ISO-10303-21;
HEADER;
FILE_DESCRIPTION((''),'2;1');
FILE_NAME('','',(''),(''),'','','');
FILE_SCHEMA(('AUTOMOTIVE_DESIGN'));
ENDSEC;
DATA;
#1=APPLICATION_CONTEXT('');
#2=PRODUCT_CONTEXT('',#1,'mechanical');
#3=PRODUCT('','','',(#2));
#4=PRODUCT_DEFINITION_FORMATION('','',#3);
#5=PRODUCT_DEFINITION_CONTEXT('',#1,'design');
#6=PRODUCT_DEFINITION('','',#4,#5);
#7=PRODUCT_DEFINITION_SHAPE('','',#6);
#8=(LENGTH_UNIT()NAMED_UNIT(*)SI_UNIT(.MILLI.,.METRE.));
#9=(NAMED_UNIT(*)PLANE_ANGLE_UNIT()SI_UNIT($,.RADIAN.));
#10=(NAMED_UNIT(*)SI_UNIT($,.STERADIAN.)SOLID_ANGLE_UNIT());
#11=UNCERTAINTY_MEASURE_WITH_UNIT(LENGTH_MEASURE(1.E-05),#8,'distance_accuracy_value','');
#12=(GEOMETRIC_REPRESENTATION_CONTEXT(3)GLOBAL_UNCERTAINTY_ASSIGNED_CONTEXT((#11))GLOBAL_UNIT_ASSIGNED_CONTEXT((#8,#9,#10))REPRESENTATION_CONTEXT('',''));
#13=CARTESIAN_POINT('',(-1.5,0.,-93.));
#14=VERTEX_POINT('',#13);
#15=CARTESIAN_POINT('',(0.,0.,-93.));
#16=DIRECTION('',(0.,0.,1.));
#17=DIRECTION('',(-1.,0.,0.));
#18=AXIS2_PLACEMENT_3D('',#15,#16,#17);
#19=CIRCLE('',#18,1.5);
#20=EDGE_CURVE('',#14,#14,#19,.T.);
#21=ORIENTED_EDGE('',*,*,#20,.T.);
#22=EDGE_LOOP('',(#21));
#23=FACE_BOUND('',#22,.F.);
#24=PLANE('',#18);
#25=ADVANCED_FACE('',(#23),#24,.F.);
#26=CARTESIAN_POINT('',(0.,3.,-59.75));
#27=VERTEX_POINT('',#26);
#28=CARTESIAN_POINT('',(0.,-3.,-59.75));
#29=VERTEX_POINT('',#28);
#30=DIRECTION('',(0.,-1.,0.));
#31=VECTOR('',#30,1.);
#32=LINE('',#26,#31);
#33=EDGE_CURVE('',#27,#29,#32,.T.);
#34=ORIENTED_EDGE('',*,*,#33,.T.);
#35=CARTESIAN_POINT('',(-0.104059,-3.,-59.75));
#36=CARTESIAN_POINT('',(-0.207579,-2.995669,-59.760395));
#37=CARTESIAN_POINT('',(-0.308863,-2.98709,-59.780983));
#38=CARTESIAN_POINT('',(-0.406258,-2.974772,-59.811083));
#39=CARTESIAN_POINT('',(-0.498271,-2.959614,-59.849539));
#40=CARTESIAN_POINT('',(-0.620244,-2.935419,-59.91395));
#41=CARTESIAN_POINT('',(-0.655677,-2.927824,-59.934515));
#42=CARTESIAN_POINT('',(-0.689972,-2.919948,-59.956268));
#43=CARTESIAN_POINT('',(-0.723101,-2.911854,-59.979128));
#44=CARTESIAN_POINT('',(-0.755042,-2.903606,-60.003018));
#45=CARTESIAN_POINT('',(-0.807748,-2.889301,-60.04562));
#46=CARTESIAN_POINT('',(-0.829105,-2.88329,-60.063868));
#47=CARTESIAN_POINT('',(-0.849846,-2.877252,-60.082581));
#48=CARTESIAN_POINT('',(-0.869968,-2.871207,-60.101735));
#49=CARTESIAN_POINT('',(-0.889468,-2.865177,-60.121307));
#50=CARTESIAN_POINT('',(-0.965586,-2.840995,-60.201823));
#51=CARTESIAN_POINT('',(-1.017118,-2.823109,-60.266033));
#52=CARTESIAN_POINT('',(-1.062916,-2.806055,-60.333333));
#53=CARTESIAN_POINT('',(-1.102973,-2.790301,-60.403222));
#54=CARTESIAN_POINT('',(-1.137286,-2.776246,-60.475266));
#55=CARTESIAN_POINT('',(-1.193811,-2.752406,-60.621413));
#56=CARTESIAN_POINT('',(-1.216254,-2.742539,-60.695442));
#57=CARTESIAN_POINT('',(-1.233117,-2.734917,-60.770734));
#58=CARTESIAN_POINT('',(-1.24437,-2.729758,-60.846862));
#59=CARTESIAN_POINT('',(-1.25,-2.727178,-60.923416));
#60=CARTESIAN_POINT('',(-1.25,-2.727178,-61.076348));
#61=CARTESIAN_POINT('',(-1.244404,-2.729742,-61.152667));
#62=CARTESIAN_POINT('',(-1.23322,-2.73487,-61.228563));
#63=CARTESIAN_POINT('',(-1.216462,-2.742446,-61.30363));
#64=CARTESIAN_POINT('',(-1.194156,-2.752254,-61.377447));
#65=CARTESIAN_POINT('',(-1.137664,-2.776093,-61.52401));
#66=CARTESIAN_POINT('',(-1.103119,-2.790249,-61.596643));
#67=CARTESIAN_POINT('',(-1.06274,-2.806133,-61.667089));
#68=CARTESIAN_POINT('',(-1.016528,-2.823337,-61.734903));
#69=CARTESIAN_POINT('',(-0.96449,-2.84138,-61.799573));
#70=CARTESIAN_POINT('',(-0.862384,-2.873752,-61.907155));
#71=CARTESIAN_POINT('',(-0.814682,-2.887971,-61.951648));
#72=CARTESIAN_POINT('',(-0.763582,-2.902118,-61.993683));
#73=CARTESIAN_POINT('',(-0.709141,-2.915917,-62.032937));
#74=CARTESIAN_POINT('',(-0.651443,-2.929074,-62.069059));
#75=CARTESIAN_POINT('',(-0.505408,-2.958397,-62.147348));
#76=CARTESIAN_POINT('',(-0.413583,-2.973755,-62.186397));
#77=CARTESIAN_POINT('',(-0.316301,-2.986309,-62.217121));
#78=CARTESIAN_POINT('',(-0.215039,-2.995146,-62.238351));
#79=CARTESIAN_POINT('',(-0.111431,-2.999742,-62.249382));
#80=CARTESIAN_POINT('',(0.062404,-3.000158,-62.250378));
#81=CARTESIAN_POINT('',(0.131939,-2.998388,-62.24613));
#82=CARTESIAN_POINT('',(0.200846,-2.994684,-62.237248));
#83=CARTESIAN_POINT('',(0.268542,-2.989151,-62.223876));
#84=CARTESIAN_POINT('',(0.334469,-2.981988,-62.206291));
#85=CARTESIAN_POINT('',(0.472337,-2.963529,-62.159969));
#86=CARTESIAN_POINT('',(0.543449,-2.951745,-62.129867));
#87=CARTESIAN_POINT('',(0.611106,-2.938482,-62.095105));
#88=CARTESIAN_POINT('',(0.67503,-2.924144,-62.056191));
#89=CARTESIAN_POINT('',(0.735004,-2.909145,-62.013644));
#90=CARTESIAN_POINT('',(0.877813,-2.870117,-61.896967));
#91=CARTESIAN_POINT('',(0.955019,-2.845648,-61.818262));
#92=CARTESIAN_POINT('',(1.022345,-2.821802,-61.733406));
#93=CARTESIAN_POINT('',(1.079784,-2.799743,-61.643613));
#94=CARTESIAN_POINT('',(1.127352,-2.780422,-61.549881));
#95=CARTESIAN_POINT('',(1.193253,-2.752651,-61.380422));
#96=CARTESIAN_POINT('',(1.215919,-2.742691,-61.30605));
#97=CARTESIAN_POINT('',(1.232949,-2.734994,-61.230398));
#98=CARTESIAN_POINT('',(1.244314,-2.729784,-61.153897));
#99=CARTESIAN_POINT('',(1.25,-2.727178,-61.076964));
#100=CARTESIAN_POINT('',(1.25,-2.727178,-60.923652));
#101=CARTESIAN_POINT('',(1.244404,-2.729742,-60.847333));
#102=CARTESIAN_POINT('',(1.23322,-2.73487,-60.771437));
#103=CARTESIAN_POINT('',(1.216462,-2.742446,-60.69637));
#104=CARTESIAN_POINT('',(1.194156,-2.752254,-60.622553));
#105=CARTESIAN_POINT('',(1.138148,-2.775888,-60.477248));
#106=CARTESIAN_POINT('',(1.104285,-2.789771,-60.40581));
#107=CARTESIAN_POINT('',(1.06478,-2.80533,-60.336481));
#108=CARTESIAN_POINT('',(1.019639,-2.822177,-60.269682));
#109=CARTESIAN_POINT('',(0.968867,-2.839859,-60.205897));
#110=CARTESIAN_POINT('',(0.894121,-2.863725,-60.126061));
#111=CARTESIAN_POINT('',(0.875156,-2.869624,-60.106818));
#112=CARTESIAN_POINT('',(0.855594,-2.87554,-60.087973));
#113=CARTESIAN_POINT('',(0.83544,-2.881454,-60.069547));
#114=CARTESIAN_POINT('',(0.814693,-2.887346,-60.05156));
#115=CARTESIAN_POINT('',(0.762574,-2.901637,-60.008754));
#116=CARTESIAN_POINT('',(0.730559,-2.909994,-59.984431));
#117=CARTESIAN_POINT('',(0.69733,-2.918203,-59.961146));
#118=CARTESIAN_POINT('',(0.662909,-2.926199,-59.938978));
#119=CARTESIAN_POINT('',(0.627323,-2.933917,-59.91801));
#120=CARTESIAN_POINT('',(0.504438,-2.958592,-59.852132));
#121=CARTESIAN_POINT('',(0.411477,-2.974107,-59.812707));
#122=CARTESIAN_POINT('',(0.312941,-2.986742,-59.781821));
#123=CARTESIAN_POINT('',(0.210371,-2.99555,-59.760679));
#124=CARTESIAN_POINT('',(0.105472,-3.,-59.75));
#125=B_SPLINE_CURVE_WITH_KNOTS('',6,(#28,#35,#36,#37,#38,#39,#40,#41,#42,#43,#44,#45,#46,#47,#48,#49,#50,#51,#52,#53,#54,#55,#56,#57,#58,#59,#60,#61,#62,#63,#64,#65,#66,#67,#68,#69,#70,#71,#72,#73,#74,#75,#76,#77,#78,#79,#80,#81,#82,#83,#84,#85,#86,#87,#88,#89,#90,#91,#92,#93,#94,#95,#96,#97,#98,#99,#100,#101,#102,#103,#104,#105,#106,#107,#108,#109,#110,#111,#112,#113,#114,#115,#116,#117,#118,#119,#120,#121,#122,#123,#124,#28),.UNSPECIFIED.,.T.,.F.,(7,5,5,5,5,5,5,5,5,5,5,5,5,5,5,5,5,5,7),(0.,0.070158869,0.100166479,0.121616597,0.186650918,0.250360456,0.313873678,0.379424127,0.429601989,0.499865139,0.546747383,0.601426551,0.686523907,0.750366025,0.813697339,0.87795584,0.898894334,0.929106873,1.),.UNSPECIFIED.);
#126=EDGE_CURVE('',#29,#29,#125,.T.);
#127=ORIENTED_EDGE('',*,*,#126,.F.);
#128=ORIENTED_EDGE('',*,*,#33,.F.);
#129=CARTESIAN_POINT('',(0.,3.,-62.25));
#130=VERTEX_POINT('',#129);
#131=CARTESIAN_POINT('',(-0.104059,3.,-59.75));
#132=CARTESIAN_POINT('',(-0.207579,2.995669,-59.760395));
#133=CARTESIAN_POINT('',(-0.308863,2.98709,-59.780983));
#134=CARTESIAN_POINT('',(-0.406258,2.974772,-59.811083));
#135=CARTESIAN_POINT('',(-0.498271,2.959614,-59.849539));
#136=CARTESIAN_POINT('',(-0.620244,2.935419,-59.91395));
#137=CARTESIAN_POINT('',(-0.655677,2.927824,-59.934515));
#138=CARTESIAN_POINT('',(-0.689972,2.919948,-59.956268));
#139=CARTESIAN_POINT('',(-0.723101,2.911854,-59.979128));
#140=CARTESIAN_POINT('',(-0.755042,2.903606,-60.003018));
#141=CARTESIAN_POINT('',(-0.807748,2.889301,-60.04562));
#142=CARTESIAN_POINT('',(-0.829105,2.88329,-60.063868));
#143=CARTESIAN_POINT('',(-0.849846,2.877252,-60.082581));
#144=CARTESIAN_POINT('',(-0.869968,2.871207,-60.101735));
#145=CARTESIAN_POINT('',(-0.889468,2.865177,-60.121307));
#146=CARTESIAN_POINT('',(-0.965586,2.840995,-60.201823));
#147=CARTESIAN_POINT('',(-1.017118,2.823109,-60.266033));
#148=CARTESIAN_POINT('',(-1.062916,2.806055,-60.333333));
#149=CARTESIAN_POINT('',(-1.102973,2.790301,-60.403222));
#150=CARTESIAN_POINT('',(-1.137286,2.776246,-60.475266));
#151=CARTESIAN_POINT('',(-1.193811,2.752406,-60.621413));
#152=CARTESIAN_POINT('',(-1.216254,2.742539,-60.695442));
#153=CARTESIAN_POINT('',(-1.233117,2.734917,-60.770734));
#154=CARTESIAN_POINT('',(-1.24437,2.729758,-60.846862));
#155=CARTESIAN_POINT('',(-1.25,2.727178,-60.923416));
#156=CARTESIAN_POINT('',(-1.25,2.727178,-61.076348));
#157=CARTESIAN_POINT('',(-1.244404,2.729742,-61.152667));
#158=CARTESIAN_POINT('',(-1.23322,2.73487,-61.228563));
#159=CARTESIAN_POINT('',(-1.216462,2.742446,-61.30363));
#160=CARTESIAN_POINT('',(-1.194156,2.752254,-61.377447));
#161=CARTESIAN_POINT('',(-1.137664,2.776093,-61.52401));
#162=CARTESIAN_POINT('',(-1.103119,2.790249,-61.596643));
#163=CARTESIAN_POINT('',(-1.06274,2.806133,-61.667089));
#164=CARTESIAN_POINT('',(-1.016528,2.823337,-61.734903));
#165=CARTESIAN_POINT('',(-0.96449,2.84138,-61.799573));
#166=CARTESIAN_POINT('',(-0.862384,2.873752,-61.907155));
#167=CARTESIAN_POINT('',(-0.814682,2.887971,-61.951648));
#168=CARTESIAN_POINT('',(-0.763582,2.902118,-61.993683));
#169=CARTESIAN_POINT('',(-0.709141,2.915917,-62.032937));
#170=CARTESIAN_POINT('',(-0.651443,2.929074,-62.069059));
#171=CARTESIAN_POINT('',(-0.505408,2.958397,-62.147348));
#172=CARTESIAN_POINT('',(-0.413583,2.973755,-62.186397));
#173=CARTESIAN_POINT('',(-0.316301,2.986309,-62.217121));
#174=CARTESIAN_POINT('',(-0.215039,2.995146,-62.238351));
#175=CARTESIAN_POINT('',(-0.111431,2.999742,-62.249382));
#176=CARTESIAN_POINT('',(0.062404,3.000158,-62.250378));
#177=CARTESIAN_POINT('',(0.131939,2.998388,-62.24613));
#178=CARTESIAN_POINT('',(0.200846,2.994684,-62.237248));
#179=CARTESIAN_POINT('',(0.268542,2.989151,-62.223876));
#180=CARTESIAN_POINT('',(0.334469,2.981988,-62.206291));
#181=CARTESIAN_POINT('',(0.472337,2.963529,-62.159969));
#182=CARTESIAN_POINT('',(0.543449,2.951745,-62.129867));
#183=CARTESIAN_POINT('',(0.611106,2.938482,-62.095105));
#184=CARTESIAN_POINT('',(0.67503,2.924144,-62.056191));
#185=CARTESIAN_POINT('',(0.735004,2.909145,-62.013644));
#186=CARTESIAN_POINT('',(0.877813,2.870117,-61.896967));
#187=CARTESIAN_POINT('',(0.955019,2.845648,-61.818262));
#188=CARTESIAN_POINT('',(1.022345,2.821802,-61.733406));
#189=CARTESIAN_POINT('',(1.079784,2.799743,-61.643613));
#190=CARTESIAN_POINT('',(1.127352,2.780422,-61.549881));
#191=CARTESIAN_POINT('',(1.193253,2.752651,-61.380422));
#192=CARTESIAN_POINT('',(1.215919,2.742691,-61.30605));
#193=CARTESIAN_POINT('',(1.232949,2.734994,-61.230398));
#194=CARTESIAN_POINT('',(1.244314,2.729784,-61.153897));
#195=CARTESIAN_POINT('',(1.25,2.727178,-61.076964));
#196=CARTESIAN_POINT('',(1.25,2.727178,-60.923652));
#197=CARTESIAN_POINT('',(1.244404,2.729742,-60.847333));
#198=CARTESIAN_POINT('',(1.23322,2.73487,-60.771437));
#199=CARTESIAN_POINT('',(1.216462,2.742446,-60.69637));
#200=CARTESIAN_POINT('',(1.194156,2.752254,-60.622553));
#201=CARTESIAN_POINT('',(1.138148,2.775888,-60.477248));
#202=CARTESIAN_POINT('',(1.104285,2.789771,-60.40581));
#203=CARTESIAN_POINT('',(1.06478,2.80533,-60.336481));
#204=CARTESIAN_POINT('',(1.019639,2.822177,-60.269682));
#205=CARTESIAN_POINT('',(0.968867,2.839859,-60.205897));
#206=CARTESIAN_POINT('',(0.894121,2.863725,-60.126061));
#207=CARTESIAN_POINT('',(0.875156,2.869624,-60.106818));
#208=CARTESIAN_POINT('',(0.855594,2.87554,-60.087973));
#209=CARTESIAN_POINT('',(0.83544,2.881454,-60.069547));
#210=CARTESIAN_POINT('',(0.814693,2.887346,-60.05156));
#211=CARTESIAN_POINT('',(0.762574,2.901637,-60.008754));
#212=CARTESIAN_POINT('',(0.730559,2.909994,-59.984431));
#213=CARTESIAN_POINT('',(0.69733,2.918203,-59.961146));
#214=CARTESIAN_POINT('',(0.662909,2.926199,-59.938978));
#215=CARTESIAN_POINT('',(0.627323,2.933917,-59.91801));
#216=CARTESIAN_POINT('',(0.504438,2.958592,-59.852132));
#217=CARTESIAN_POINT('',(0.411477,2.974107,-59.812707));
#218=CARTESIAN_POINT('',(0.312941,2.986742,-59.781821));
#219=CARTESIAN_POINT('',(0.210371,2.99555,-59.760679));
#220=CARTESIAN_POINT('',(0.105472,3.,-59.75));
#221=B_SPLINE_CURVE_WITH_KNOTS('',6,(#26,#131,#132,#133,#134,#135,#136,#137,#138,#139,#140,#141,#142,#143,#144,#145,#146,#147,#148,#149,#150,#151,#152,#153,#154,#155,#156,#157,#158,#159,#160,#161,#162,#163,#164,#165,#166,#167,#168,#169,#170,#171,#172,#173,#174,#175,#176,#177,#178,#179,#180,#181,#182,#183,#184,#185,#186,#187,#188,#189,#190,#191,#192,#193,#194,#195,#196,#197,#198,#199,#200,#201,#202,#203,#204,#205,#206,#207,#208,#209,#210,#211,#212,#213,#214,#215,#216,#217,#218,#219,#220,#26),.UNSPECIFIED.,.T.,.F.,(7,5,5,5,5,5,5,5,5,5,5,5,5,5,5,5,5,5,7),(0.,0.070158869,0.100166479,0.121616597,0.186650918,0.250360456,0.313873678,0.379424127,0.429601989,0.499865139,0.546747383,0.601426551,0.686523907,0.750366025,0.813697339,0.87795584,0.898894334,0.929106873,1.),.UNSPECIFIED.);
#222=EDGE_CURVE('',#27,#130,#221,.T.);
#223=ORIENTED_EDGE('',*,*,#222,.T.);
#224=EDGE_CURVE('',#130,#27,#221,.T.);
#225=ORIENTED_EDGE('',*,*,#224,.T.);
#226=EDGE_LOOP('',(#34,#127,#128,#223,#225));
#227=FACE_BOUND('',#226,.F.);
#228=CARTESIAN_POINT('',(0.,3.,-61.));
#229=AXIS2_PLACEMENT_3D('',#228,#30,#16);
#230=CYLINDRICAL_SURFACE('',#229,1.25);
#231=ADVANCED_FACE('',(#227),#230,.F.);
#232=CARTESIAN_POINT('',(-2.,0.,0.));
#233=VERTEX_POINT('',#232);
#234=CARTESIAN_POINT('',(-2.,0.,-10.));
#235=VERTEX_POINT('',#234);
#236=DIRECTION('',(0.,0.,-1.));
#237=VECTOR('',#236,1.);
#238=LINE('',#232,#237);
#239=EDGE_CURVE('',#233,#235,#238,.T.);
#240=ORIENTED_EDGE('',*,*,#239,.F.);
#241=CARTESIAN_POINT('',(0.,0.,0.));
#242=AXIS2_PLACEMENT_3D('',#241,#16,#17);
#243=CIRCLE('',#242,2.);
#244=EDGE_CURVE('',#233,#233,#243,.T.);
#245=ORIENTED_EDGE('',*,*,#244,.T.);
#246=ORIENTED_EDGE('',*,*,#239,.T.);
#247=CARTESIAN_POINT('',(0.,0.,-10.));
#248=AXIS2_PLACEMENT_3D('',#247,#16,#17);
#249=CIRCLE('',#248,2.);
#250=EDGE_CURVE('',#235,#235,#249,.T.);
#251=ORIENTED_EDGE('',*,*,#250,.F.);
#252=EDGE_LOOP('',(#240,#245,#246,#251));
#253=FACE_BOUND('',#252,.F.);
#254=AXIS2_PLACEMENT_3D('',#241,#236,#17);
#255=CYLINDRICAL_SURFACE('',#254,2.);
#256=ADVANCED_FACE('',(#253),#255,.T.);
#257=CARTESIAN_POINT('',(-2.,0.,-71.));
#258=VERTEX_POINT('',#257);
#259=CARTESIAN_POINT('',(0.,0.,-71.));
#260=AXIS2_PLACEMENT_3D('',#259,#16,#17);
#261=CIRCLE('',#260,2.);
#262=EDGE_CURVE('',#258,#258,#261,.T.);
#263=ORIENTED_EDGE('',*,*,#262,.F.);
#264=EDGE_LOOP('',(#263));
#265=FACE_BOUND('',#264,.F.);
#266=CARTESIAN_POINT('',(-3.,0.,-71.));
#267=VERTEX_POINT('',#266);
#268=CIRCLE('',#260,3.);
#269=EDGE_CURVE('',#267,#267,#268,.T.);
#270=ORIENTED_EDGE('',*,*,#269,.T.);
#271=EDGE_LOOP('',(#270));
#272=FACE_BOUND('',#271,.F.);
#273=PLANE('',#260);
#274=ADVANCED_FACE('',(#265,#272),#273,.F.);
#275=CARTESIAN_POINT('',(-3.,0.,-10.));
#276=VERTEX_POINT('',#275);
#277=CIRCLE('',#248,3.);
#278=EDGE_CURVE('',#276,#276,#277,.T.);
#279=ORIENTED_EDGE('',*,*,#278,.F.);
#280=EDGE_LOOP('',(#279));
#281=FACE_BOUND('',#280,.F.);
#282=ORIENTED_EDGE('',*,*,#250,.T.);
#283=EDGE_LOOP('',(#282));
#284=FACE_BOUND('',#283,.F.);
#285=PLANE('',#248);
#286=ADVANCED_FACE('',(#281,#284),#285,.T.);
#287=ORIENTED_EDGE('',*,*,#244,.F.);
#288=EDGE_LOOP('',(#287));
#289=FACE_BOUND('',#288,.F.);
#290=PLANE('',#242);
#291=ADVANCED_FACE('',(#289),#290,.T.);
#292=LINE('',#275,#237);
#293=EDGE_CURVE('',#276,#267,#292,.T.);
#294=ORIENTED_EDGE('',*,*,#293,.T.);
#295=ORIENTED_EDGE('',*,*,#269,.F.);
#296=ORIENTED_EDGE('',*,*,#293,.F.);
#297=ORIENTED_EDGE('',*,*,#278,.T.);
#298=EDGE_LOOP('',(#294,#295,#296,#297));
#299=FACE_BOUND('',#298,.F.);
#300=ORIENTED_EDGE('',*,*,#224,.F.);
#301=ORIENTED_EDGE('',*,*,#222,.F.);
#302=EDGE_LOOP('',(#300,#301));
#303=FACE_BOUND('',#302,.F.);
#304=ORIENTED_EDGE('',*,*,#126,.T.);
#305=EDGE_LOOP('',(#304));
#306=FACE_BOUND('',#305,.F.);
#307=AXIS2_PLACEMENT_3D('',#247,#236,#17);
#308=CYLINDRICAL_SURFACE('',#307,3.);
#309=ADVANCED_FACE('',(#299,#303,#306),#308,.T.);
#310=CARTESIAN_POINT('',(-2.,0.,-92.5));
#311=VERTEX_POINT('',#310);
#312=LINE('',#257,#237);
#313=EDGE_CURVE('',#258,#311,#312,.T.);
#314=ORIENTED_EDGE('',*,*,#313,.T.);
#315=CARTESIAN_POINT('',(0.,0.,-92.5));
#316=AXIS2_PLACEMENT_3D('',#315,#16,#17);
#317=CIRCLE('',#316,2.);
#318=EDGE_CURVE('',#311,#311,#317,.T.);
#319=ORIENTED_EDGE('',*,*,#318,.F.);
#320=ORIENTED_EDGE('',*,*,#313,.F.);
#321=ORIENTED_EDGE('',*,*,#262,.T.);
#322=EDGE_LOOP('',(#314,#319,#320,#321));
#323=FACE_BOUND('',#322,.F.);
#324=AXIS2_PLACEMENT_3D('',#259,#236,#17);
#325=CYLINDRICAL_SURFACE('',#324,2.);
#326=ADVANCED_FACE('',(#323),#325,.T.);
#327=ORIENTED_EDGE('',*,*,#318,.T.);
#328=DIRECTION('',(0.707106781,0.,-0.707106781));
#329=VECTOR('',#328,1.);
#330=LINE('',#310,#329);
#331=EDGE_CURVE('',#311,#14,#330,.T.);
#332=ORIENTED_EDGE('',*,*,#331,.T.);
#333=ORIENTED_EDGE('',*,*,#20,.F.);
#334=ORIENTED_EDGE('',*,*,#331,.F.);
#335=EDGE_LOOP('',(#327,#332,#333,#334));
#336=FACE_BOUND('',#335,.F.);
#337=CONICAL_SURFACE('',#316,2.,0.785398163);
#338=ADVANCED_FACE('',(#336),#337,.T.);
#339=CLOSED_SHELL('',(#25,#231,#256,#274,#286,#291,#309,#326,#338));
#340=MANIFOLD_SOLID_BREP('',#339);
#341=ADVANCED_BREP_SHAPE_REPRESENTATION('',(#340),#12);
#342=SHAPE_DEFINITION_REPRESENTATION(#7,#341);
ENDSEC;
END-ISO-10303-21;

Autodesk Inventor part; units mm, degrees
ref_plane "YZ Plane" through (0, 0, 0) normal (1, 0, 0) x (0, 1, 0)
ref_plane "XY Plane" through (0, 0, 0) normal (0, 0, 1) x (1, 0, 0)
sketch "Skizze1" plane through (0, 0, 0) normal (0, 1, 0) x (-1, 0, 0)
  line L0 (0, 0) -> (2, 0)
  line L1 (2, 0) -> (2, -10)
  line L2 (2, -10) -> (3, -10)
  line L3 (3, -10) -> (3, -71)
  line L4 (3, -71) -> (2, -71)
  line L5 (2, -71) -> (2, -93)
  line L6 (2, -93) -> (0, -93)
  line L7 (0, -93) -> (0, 0)
  dimension "d0" = 10
  dimension "d1" = 22
  dimension "d2" = 93
  dimension "d3" = 4
  dimension "d4" = 6
revolve "Umdrehung1" add sketch "Skizze1" angle 360 about axis through (0, 0, -93) along (0, 0, 1)
thread "Gewinde1" size "M4x0.7" class "6g" standard "ISO Metric profile" full length
ref_plane "Arbeitsebene1" through (0, 3, 0) normal (0, 1, 0) x (-1, 0, 0)
sketch "Skizze2" plane through (0, 3, 0) normal (0, 1, 0) x (-1, 0, 0)
  line L0 (3, -10) -> (-3, -10) projected
  line L1 (3, -71) -> (-3, -71) projected
  point P0 (0, 0)
  point P1 (0, -61)
  dimension "d9" = 10
hole "Bohrung1" at (0, 3, -61) direction (0, -1, 0) diameter 2.5 end through all
chamfer "Fasen1" distance 0.5 angle 45 1 edges at (2, 0, -93)
properties part number "205 part 1" material "Aluminium 6061"
